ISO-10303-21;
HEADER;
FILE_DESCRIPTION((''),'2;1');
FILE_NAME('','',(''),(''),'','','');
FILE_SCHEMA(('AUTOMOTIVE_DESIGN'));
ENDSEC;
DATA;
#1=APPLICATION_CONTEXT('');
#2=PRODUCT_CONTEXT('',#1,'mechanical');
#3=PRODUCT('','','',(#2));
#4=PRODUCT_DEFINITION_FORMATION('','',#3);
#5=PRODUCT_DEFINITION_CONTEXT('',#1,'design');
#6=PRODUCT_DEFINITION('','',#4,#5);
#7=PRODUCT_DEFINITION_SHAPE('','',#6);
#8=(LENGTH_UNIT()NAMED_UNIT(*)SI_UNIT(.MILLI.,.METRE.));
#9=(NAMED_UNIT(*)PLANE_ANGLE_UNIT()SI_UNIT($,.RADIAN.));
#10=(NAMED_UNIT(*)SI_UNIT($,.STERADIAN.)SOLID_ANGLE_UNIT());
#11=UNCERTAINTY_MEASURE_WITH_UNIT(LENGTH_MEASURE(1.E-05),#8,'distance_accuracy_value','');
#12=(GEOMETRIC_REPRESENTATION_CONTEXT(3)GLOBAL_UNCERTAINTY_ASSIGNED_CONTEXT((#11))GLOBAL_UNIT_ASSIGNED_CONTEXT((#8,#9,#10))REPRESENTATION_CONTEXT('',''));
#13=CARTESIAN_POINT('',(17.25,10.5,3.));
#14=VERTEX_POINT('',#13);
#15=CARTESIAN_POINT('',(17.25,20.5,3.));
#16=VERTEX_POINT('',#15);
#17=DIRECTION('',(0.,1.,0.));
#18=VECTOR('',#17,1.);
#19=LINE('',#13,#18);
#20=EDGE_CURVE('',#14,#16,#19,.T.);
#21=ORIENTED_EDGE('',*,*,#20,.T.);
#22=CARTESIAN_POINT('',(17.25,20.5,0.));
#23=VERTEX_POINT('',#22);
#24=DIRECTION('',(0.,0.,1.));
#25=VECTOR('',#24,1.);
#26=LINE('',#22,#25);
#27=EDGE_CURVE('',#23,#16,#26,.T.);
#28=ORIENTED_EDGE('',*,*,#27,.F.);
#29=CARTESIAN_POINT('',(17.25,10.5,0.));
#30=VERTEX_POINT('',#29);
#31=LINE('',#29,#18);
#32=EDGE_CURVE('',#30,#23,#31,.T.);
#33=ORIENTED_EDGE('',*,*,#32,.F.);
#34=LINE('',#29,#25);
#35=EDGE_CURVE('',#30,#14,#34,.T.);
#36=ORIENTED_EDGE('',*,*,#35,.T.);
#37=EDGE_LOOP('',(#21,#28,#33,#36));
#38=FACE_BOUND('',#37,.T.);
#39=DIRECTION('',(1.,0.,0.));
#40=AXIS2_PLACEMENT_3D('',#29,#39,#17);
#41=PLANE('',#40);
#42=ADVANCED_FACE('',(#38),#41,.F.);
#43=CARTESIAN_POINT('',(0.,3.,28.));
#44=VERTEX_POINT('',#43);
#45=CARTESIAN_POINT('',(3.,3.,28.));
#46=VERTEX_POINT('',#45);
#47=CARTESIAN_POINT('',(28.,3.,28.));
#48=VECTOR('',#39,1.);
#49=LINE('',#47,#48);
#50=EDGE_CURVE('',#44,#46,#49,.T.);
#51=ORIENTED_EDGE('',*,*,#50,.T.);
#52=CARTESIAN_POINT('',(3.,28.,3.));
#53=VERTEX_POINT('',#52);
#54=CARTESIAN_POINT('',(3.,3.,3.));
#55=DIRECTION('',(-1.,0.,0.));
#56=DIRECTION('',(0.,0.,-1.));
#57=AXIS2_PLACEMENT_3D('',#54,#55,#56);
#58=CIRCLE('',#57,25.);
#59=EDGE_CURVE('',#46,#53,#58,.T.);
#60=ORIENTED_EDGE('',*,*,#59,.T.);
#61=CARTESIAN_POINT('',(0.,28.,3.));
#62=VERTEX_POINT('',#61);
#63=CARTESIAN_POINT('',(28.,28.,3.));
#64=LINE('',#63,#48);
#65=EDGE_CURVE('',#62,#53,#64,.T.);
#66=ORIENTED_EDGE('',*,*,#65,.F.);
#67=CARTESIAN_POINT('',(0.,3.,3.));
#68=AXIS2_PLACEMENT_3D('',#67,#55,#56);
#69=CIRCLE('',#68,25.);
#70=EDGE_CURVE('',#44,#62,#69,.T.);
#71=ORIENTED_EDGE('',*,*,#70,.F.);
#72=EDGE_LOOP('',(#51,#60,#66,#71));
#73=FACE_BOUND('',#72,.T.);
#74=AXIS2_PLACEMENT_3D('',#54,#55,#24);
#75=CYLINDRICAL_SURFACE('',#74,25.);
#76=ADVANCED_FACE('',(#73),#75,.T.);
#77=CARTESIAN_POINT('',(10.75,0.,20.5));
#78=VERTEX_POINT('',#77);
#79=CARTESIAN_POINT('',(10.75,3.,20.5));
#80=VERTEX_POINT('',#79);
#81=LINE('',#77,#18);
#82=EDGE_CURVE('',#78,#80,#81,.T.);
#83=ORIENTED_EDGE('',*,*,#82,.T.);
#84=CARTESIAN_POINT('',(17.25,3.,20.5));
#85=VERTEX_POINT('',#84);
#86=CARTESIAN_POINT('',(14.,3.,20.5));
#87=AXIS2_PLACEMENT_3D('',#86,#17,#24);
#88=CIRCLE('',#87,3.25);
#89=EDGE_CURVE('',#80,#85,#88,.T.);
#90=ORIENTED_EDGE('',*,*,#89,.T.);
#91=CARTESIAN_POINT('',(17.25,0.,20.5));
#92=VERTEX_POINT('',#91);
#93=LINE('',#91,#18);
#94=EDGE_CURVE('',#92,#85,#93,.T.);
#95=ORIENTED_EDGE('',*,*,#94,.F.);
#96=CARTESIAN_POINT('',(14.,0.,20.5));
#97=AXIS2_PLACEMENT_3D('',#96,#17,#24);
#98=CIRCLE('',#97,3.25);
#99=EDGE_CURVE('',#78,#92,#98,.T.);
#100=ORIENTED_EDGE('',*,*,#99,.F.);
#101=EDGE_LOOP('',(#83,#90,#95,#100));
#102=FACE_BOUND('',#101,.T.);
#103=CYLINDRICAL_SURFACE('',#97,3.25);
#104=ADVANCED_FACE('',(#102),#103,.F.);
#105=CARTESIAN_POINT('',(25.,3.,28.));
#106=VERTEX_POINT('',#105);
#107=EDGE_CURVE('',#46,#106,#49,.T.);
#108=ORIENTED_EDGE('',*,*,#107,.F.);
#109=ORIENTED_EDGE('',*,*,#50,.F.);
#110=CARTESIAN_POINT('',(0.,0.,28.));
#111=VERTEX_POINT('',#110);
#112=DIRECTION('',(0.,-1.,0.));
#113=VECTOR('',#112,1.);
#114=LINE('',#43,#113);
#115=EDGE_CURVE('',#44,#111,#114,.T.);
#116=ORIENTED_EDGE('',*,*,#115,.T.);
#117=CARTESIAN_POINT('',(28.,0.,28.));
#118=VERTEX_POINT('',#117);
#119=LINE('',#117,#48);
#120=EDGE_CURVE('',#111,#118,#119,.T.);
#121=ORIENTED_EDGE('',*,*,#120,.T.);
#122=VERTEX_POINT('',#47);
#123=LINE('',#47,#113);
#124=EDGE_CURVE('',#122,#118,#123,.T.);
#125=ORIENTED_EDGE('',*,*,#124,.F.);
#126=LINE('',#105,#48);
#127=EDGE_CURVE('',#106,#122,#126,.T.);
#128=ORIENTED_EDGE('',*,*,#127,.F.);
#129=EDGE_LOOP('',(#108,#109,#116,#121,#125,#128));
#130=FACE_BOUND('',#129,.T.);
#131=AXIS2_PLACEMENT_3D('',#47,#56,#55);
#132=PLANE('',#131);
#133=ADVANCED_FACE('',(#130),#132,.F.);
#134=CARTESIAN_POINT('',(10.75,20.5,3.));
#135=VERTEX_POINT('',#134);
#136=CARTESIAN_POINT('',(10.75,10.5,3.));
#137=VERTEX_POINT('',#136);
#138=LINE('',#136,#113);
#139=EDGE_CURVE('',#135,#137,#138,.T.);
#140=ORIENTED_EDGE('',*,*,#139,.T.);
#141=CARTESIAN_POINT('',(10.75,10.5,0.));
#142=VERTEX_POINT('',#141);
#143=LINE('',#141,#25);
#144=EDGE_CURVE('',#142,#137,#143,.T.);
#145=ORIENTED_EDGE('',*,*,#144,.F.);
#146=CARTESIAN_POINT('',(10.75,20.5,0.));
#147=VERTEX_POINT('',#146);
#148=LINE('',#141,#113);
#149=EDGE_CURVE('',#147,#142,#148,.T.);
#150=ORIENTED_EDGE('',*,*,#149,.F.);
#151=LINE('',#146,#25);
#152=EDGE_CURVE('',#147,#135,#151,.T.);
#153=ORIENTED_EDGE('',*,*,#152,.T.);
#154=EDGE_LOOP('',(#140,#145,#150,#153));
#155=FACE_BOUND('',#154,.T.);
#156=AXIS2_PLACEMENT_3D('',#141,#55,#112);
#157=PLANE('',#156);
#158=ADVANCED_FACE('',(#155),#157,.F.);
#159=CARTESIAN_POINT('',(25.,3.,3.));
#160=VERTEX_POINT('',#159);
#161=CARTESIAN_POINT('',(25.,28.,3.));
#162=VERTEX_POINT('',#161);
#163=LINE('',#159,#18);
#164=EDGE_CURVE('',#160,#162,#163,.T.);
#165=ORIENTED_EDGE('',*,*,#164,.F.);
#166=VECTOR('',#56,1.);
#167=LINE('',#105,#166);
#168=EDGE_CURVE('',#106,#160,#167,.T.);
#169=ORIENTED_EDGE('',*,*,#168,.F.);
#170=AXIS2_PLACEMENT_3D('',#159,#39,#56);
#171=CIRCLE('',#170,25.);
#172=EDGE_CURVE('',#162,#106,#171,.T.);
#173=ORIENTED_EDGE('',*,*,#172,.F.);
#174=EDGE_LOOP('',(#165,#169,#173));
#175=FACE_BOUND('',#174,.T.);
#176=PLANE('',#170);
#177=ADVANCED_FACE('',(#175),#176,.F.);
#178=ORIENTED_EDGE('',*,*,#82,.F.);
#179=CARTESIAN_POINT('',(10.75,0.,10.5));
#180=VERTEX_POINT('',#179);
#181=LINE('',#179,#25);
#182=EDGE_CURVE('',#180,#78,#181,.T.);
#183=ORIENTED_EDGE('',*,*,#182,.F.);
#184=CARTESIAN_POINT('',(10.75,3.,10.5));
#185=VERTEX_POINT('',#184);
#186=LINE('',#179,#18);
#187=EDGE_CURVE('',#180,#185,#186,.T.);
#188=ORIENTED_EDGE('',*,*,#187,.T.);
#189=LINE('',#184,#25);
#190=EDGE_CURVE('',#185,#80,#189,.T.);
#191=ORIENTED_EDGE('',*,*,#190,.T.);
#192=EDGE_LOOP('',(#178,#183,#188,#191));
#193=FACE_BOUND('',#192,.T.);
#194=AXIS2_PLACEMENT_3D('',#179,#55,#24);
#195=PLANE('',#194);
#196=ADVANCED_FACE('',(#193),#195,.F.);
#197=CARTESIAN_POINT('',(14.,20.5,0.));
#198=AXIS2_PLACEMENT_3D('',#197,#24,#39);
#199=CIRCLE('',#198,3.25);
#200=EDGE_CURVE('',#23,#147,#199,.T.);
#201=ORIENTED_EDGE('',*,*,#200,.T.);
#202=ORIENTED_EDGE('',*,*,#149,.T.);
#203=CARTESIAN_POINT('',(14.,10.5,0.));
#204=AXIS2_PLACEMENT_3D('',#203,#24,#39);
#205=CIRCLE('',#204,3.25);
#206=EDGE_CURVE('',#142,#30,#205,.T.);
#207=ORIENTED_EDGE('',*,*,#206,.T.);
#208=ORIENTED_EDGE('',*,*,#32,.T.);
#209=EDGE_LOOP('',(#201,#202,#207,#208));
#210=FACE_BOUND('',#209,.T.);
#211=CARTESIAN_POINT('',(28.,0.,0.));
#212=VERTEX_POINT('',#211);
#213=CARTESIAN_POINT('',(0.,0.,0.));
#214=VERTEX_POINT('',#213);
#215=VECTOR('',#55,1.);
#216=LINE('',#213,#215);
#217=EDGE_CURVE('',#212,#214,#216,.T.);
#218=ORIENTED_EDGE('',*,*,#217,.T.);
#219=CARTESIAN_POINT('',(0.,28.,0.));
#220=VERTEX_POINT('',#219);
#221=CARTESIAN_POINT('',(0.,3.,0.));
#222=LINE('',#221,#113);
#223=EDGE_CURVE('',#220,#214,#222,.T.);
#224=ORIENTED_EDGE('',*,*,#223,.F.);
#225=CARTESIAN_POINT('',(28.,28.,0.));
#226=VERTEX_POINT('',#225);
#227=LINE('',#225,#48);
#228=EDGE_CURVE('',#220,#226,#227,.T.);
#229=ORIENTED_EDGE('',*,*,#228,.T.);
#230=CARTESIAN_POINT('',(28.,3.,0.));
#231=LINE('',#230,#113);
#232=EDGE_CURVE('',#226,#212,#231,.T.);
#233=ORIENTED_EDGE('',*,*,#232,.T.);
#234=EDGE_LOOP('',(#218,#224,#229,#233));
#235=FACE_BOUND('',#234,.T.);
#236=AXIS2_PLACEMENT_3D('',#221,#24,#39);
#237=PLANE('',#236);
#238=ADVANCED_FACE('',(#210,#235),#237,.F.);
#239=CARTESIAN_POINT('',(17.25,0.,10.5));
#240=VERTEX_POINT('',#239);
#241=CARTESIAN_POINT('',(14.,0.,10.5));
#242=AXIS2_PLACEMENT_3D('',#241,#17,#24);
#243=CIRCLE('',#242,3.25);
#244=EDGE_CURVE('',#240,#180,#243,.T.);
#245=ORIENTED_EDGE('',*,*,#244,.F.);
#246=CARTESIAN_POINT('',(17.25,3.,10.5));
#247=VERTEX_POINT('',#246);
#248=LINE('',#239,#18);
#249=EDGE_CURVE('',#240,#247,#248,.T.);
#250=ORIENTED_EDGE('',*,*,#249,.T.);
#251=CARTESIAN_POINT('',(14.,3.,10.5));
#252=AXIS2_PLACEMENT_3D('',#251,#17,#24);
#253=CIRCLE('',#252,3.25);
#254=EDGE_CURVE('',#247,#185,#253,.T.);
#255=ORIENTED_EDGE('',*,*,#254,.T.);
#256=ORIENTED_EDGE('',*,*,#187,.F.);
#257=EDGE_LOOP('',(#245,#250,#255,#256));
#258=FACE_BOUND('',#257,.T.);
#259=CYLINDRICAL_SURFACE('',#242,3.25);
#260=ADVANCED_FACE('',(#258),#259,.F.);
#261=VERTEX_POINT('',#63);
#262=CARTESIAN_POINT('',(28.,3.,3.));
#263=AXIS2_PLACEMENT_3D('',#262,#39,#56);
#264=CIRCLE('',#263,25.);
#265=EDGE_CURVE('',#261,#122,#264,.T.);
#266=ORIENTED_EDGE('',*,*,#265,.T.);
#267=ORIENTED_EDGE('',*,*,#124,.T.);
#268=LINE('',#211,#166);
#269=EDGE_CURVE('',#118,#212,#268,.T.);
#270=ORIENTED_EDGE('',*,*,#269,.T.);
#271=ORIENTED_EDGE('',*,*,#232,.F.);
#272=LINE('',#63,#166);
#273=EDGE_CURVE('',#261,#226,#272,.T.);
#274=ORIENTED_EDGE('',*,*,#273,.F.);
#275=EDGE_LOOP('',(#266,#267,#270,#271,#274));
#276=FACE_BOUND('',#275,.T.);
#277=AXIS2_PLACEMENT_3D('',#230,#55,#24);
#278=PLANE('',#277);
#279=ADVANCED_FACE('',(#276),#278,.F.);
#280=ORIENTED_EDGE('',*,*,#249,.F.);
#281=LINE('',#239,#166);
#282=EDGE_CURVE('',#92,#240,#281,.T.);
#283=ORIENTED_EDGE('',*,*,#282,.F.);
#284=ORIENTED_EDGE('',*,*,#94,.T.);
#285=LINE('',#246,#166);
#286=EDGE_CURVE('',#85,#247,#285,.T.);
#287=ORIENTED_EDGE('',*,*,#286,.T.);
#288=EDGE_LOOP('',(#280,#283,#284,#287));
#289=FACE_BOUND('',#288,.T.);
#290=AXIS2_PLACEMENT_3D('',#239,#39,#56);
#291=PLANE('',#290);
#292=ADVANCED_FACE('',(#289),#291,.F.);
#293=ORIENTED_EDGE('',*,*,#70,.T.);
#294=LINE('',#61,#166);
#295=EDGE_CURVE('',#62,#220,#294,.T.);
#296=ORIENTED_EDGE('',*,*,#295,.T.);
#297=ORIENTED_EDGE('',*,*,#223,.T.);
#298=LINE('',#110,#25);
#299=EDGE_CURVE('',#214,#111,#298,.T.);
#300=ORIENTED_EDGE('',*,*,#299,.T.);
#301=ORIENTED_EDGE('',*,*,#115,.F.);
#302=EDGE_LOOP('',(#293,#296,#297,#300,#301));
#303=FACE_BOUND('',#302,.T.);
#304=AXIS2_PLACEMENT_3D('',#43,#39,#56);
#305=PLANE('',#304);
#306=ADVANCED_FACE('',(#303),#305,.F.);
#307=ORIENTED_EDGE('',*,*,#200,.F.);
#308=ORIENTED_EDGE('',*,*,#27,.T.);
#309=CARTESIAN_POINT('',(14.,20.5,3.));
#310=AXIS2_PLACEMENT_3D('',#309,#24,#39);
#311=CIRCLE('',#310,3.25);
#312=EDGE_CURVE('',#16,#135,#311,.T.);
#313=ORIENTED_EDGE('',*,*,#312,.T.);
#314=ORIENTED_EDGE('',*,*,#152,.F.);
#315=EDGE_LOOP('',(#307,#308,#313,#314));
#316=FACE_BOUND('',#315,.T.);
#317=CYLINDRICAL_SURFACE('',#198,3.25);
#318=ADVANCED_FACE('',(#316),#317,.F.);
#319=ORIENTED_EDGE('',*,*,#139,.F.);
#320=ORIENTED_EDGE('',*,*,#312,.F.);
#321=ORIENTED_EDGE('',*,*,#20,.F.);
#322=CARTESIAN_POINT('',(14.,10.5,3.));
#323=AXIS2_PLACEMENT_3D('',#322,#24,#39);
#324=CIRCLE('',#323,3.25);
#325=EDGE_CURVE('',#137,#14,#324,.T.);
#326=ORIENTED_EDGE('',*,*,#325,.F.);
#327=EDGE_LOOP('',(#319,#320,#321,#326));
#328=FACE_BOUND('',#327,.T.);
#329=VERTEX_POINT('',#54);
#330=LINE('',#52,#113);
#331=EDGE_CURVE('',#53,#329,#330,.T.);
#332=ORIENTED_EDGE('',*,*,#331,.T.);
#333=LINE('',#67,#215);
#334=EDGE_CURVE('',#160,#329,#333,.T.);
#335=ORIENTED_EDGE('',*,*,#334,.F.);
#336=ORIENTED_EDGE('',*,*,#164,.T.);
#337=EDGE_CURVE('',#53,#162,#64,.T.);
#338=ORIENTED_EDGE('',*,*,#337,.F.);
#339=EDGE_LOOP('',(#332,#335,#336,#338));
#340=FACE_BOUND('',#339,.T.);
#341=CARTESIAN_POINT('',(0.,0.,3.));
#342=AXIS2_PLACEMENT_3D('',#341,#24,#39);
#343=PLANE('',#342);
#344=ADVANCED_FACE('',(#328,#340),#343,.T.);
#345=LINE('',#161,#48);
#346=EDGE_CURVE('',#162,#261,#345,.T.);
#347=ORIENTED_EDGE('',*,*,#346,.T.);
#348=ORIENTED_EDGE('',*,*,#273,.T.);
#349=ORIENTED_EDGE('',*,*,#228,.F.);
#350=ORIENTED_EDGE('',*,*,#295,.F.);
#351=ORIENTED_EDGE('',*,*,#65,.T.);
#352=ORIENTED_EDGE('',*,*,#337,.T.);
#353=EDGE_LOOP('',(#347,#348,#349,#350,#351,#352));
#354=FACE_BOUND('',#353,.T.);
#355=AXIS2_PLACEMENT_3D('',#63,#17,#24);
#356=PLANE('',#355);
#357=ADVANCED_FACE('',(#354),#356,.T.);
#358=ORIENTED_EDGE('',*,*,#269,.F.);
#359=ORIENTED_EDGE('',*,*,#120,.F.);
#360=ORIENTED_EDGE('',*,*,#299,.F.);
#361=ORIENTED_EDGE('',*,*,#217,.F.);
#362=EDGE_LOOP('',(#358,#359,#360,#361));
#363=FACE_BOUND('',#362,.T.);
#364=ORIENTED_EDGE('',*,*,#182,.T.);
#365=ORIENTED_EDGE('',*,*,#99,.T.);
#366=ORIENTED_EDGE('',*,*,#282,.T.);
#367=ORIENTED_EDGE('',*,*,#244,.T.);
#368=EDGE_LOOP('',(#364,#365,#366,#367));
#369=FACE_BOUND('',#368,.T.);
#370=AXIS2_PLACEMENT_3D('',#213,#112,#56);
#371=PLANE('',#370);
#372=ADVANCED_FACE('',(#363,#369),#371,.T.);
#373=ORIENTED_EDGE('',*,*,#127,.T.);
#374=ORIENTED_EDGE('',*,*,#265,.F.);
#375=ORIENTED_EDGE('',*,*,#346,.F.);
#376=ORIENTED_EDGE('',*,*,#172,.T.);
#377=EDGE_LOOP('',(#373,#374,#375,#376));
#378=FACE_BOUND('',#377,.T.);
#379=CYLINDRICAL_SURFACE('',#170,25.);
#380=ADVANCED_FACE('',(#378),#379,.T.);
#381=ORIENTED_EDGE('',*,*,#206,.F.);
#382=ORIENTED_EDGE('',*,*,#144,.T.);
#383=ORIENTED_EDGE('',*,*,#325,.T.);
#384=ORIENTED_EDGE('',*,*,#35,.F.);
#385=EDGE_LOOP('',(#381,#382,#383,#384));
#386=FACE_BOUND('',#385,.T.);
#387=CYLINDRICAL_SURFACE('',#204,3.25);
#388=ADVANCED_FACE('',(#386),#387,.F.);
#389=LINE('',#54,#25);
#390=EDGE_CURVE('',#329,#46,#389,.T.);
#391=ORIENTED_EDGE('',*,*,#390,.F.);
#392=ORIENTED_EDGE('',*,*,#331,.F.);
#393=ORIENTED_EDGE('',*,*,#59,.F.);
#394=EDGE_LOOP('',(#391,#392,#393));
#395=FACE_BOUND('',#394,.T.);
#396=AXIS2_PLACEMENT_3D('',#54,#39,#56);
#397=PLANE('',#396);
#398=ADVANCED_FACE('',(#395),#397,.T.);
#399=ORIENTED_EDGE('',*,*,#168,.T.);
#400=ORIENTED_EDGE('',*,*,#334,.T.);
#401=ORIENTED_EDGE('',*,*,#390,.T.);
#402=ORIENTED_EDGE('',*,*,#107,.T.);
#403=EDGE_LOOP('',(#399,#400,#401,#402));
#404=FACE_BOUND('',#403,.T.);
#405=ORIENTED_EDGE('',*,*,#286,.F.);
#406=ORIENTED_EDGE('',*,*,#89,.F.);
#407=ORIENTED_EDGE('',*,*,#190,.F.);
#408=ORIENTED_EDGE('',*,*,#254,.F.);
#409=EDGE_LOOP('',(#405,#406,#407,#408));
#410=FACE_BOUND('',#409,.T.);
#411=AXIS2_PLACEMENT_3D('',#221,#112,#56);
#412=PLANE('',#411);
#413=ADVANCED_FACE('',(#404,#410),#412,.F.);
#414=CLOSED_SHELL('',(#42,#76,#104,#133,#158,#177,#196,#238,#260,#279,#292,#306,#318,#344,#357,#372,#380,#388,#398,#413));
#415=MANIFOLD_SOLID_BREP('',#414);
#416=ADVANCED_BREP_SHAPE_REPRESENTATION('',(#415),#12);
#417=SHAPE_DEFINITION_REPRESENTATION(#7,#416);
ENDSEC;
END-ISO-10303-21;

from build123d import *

# Parameters (mm, degrees)
SKETCH1_W           = 28
SKETCH1_H           = 28
BOSS_EXTRUDE1_DEPTH = 3
SKETCH2_W           = 28
SKETCH2_H           = 25
BOSS_EXTRUDE2_DEPTH = 3
BOSS_EXTRUDE3_DEPTH = 3
BOSS_EXTRUDE4_START = -3
BOSS_EXTRUDE4_DEPTH = 3
CUT_EXTRUDE1_DEPTH  = 3
CUT_EXTRUDE2_DEPTH  = 3


with BuildPart() as part:
    # Sketch1 → Boss-Extrude1 (new body)
    with BuildSketch(Plane(origin=(0, 0, 0), x_dir=(1, 0, 0), z_dir=(0, 1, 0))):
        with Locations((14, -14)):
            Rectangle(SKETCH1_W, SKETCH1_H)
    extrude(amount=BOSS_EXTRUDE1_DEPTH)

    # Sketch2 → Boss-Extrude2 (add)
    with BuildSketch(Plane(origin=(0, 0, 0), x_dir=(-1, 0, 0), z_dir=(0, 0, -1))):
        with Locations((-14, 15.5)):
            Rectangle(SKETCH2_W, SKETCH2_H)
    extrude(amount=-BOSS_EXTRUDE2_DEPTH)

    # Sketch3 → Boss-Extrude3 (add)
    with BuildSketch(Plane.ZY):
        with BuildLine():
            Line((3, 28), (3, 3))
            Line((3, 3), (28, 3))
            ThreePointArc((28, 3), (20.67766953, 20.67766953), (3, 28))
        make_face()
    extrude(amount=-BOSS_EXTRUDE3_DEPTH)

    # Sketch4 → Boss-Extrude4 (add)
    with BuildSketch(Plane(origin=(28, 0, 0), x_dir=(0, 0, -1), z_dir=(1, 0, 0)).offset(BOSS_EXTRUDE4_START)):
        with BuildLine():
            Line((-28, 3), (-3, 3))
            Line((-3, 3), (-3, 28))
            ThreePointArc((-3, 28), (-20.67766953, 20.67766953), (-28, 3))
        make_face()
    extrude(amount=BOSS_EXTRUDE4_DEPTH)

    # Sketch5 → Cut-Extrude1 (cut)
    with BuildSketch(Plane.XY.offset(3)):
        with BuildLine():
            Line((10.75, 10.5), (10.75, 20.5))
            ThreePointArc((10.75, 20.5), (14, 23.75), (17.25, 20.5))
            Line((17.25, 20.5), (17.25, 10.5))
            ThreePointArc((17.25, 10.5), (14, 7.25), (10.75, 10.5))
        make_face()
    extrude(amount=-CUT_EXTRUDE1_DEPTH, mode=Mode.SUBTRACT)

    # Sketch6 → Cut-Extrude2 (cut)
    with BuildSketch(Plane(origin=(0, 3, 0), x_dir=(1, 0, 0), z_dir=(0, 1, 0))):
        with BuildLine():
            Line((17.25, -10.5), (17.25, -20.5))
            ThreePointArc((17.25, -20.5), (14, -23.75), (10.75, -20.5))
            Line((10.75, -20.5), (10.75, -10.5))
            ThreePointArc((10.75, -10.5), (14, -7.25), (17.25, -10.5))
        make_face()
    extrude(amount=-CUT_EXTRUDE2_DEPTH, mode=Mode.SUBTRACT)


solid = part.part
